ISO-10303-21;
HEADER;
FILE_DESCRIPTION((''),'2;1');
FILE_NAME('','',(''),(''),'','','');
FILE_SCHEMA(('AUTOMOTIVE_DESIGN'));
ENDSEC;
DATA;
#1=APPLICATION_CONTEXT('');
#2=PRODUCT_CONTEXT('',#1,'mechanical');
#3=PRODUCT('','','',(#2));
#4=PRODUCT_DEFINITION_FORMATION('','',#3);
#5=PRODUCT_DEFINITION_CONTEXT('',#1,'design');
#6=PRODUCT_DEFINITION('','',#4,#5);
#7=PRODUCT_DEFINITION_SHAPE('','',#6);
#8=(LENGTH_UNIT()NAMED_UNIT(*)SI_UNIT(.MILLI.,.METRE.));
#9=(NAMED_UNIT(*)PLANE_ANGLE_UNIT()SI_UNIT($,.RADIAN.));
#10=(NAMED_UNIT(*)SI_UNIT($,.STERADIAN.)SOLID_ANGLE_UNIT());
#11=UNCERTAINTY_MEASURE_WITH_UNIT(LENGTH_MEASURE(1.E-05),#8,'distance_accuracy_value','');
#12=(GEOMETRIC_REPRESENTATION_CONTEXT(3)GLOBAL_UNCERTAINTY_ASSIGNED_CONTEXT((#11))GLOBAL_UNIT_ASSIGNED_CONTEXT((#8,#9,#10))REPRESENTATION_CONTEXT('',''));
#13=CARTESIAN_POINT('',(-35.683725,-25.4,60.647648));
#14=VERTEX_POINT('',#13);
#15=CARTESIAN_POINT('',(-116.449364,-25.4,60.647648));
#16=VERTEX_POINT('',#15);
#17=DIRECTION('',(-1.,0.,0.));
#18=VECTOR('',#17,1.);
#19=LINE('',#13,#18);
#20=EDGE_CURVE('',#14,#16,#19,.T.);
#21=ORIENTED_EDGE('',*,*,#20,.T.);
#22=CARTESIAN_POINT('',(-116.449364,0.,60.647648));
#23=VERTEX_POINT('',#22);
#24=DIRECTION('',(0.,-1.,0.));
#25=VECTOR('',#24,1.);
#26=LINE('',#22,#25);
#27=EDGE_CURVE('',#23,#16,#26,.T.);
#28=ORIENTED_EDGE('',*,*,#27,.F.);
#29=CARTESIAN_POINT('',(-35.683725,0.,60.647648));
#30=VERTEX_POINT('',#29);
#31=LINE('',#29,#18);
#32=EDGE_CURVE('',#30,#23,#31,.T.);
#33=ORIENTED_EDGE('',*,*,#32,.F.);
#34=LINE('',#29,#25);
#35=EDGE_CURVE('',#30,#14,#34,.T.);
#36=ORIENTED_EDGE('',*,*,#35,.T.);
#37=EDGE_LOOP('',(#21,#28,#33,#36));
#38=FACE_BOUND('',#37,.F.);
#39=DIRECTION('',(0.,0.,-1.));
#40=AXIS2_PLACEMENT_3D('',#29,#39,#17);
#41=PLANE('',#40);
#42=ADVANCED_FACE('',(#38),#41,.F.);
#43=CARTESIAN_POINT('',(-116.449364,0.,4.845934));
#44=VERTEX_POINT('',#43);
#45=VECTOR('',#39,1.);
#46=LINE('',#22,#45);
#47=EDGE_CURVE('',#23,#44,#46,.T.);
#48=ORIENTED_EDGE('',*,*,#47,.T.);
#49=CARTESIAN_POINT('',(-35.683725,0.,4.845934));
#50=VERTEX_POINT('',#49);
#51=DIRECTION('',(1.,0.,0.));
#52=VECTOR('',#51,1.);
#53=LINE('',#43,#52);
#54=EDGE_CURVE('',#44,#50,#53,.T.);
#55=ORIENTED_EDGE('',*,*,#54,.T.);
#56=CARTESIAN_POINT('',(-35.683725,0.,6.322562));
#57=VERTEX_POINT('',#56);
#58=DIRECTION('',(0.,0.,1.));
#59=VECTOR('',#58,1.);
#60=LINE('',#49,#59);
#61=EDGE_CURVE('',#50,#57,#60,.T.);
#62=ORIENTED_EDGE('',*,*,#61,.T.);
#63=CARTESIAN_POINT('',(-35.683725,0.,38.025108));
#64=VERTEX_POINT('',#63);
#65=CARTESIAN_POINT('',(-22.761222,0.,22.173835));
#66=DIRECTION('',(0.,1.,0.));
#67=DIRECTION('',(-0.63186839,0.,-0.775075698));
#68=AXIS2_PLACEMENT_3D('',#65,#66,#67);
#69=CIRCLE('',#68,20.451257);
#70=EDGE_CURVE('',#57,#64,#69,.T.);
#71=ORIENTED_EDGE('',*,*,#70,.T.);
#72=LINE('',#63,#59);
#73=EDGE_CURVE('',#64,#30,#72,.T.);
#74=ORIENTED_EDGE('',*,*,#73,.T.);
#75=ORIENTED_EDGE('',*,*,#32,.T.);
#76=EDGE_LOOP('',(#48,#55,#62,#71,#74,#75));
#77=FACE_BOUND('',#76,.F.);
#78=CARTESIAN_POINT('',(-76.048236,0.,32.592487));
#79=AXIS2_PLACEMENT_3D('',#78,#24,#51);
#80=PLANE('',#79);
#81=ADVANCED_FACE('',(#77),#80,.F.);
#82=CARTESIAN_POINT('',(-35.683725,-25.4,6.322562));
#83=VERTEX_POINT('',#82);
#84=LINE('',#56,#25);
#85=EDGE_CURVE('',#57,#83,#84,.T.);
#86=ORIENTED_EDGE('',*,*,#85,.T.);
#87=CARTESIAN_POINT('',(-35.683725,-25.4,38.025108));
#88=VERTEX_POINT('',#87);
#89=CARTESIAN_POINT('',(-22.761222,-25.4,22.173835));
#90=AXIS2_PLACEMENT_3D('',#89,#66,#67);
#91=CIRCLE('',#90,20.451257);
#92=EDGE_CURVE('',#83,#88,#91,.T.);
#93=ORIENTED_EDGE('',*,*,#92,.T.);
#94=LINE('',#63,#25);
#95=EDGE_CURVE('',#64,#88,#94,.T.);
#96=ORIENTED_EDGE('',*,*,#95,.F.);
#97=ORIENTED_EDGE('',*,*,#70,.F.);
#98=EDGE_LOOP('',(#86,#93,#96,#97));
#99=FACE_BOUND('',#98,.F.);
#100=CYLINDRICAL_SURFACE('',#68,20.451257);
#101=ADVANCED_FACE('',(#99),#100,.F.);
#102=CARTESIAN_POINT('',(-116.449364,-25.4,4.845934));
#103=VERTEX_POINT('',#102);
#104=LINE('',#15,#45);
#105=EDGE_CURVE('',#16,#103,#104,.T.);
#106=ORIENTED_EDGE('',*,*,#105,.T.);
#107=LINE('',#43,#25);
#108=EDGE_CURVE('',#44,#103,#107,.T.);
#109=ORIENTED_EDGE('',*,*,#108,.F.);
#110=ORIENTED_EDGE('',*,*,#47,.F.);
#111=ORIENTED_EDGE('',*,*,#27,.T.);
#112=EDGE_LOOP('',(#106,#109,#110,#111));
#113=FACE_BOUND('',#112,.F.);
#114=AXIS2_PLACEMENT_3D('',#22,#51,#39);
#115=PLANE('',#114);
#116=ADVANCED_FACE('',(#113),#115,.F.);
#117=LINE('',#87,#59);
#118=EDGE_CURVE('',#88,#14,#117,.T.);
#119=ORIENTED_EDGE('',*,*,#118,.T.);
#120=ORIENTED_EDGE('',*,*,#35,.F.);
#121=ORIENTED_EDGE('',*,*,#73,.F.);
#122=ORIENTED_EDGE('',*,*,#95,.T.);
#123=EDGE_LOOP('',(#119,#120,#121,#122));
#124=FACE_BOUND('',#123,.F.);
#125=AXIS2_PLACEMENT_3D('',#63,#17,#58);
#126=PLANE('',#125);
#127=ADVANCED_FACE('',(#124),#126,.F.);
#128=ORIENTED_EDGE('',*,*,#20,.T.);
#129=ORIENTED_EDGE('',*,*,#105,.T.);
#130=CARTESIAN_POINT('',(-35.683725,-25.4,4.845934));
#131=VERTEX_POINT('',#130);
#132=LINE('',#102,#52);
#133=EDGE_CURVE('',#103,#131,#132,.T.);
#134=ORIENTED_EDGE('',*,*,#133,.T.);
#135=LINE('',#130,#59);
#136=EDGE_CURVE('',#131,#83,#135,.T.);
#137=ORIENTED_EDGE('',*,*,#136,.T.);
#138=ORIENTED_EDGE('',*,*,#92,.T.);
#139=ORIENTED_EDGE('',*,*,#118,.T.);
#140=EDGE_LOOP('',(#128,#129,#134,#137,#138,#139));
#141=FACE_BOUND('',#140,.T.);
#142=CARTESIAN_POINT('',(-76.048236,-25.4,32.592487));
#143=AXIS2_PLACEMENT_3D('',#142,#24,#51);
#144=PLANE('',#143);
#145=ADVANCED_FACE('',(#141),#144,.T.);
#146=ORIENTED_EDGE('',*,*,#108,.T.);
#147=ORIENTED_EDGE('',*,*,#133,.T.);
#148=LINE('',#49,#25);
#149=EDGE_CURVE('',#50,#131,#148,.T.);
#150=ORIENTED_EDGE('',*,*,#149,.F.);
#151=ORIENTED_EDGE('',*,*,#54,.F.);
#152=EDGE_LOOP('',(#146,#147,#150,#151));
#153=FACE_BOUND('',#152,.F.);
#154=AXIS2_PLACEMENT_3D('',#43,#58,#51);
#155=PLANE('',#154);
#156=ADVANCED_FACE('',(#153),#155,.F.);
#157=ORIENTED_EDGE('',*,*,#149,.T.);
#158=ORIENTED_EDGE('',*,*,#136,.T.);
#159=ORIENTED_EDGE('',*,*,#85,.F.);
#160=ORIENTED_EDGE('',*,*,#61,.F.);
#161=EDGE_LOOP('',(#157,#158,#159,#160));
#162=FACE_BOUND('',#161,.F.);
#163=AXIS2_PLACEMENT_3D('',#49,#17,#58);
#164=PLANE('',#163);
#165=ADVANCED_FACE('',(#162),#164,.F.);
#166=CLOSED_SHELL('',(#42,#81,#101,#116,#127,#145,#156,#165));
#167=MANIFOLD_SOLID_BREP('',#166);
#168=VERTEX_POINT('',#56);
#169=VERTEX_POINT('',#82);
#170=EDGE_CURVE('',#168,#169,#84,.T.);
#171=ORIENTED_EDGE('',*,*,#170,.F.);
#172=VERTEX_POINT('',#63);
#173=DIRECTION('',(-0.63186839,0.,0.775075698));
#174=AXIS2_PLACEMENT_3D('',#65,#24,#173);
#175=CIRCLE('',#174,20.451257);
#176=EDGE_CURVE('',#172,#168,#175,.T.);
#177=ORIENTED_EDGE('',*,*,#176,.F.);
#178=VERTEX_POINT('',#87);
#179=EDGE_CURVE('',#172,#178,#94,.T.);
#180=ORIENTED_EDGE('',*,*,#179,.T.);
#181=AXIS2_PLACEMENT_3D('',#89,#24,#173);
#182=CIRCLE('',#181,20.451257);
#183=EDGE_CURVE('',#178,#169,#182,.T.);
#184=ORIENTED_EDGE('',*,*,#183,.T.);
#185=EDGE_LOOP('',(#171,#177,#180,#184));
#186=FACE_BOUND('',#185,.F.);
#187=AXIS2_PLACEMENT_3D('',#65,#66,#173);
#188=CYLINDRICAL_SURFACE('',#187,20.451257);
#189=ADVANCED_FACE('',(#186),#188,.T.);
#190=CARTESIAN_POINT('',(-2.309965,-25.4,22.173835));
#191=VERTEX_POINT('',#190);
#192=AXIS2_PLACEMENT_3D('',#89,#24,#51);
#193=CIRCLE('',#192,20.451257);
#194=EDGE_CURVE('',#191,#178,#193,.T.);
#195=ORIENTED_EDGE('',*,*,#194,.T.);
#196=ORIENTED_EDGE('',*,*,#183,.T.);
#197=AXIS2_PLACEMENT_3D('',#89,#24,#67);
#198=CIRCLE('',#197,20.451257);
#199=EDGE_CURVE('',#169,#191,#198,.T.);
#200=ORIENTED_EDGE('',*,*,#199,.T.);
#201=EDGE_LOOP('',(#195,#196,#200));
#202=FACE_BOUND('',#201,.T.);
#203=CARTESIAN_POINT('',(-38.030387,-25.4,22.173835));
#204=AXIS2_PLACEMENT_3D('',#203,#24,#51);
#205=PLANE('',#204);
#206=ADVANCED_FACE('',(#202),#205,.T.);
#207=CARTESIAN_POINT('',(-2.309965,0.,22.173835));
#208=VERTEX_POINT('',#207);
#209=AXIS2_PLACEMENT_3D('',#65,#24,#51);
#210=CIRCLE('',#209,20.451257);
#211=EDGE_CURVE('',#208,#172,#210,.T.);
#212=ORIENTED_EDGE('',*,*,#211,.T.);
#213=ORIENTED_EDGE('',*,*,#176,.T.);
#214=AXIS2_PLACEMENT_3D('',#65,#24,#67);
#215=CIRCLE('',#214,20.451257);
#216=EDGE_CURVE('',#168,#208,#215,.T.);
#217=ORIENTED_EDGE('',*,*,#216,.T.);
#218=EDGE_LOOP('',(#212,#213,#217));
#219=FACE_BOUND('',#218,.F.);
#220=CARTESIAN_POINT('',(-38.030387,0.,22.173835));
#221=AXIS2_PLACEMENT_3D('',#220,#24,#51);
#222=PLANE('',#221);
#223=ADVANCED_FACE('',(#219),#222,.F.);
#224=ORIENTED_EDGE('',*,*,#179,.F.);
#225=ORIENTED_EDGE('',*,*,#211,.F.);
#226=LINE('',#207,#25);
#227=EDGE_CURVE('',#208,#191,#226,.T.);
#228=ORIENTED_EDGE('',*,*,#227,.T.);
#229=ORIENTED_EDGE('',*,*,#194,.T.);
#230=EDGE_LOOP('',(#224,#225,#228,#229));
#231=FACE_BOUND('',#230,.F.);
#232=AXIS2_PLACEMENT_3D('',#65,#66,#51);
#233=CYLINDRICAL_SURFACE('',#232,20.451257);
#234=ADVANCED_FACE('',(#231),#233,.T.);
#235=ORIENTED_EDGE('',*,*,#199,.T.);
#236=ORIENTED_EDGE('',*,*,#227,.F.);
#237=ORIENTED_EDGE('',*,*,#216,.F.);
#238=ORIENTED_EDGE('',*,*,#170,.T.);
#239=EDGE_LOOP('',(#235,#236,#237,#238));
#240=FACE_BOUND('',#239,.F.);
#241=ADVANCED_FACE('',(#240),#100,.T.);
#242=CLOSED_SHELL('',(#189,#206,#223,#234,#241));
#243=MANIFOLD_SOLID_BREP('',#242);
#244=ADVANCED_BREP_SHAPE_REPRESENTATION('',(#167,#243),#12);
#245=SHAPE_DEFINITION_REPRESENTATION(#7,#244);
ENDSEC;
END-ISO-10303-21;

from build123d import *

# Parameters (mm, degrees)
F1_DEPTH = 25.4
F2_DEPTH = 25.4


with BuildPart() as f1:
    # F0 (on Front) → F1 (new body)
    with BuildSketch(Plane.XZ):
        with BuildLine():
            Line((-35.6837250292, 60.6476478279), (-116.4493635297, 60.6476478279))
            Line((-116.4493635297, 60.6476478279), (-116.4493635297, 4.8459344544))
            Line((-116.4493635297, 4.8459344544), (-35.6837250292, 4.8459344544))
            Line((-35.6837250292, 4.8459344544), (-35.6837250292, 6.3225624137))
            ThreePointArc((-35.6837250292, 6.3225624137), (-43.2124793122, 22.1738349646), (-35.6837250292, 38.0251075155))
            Line((-35.6837250292, 38.0251075155), (-35.6837250292, 60.6476478279))
        make_face()
    extrude(amount=F1_DEPTH)


with BuildPart() as f2:
    # F0 (on Front) → F2 (new body)
    with BuildSketch(Plane.XZ):
        with BuildLine():
            Line((-35.6837250292, 6.3225624137), (-35.6837250292, 38.0251075155))
            ThreePointArc((-35.6837250292, 38.0251075155), (-43.2124793122, 22.1738349646), (-35.6837250292, 6.3225624137))
        make_face()
        with BuildLine():
            ThreePointArc((-2.309964638, 22.1738349646), (-13.9870413504, 40.6472667258), (-35.6837250292, 38.0251075155))
            Line((-35.6837250292, 38.0251075155), (-35.6837250292, 6.3225624137))
            ThreePointArc((-35.6837250292, 6.3225624137), (-13.9870413504, 3.7004032035), (-2.309964638, 22.1738349646))
        make_face()
    extrude(amount=F2_DEPTH)


solid = Compound([f1.part, f2.part])
